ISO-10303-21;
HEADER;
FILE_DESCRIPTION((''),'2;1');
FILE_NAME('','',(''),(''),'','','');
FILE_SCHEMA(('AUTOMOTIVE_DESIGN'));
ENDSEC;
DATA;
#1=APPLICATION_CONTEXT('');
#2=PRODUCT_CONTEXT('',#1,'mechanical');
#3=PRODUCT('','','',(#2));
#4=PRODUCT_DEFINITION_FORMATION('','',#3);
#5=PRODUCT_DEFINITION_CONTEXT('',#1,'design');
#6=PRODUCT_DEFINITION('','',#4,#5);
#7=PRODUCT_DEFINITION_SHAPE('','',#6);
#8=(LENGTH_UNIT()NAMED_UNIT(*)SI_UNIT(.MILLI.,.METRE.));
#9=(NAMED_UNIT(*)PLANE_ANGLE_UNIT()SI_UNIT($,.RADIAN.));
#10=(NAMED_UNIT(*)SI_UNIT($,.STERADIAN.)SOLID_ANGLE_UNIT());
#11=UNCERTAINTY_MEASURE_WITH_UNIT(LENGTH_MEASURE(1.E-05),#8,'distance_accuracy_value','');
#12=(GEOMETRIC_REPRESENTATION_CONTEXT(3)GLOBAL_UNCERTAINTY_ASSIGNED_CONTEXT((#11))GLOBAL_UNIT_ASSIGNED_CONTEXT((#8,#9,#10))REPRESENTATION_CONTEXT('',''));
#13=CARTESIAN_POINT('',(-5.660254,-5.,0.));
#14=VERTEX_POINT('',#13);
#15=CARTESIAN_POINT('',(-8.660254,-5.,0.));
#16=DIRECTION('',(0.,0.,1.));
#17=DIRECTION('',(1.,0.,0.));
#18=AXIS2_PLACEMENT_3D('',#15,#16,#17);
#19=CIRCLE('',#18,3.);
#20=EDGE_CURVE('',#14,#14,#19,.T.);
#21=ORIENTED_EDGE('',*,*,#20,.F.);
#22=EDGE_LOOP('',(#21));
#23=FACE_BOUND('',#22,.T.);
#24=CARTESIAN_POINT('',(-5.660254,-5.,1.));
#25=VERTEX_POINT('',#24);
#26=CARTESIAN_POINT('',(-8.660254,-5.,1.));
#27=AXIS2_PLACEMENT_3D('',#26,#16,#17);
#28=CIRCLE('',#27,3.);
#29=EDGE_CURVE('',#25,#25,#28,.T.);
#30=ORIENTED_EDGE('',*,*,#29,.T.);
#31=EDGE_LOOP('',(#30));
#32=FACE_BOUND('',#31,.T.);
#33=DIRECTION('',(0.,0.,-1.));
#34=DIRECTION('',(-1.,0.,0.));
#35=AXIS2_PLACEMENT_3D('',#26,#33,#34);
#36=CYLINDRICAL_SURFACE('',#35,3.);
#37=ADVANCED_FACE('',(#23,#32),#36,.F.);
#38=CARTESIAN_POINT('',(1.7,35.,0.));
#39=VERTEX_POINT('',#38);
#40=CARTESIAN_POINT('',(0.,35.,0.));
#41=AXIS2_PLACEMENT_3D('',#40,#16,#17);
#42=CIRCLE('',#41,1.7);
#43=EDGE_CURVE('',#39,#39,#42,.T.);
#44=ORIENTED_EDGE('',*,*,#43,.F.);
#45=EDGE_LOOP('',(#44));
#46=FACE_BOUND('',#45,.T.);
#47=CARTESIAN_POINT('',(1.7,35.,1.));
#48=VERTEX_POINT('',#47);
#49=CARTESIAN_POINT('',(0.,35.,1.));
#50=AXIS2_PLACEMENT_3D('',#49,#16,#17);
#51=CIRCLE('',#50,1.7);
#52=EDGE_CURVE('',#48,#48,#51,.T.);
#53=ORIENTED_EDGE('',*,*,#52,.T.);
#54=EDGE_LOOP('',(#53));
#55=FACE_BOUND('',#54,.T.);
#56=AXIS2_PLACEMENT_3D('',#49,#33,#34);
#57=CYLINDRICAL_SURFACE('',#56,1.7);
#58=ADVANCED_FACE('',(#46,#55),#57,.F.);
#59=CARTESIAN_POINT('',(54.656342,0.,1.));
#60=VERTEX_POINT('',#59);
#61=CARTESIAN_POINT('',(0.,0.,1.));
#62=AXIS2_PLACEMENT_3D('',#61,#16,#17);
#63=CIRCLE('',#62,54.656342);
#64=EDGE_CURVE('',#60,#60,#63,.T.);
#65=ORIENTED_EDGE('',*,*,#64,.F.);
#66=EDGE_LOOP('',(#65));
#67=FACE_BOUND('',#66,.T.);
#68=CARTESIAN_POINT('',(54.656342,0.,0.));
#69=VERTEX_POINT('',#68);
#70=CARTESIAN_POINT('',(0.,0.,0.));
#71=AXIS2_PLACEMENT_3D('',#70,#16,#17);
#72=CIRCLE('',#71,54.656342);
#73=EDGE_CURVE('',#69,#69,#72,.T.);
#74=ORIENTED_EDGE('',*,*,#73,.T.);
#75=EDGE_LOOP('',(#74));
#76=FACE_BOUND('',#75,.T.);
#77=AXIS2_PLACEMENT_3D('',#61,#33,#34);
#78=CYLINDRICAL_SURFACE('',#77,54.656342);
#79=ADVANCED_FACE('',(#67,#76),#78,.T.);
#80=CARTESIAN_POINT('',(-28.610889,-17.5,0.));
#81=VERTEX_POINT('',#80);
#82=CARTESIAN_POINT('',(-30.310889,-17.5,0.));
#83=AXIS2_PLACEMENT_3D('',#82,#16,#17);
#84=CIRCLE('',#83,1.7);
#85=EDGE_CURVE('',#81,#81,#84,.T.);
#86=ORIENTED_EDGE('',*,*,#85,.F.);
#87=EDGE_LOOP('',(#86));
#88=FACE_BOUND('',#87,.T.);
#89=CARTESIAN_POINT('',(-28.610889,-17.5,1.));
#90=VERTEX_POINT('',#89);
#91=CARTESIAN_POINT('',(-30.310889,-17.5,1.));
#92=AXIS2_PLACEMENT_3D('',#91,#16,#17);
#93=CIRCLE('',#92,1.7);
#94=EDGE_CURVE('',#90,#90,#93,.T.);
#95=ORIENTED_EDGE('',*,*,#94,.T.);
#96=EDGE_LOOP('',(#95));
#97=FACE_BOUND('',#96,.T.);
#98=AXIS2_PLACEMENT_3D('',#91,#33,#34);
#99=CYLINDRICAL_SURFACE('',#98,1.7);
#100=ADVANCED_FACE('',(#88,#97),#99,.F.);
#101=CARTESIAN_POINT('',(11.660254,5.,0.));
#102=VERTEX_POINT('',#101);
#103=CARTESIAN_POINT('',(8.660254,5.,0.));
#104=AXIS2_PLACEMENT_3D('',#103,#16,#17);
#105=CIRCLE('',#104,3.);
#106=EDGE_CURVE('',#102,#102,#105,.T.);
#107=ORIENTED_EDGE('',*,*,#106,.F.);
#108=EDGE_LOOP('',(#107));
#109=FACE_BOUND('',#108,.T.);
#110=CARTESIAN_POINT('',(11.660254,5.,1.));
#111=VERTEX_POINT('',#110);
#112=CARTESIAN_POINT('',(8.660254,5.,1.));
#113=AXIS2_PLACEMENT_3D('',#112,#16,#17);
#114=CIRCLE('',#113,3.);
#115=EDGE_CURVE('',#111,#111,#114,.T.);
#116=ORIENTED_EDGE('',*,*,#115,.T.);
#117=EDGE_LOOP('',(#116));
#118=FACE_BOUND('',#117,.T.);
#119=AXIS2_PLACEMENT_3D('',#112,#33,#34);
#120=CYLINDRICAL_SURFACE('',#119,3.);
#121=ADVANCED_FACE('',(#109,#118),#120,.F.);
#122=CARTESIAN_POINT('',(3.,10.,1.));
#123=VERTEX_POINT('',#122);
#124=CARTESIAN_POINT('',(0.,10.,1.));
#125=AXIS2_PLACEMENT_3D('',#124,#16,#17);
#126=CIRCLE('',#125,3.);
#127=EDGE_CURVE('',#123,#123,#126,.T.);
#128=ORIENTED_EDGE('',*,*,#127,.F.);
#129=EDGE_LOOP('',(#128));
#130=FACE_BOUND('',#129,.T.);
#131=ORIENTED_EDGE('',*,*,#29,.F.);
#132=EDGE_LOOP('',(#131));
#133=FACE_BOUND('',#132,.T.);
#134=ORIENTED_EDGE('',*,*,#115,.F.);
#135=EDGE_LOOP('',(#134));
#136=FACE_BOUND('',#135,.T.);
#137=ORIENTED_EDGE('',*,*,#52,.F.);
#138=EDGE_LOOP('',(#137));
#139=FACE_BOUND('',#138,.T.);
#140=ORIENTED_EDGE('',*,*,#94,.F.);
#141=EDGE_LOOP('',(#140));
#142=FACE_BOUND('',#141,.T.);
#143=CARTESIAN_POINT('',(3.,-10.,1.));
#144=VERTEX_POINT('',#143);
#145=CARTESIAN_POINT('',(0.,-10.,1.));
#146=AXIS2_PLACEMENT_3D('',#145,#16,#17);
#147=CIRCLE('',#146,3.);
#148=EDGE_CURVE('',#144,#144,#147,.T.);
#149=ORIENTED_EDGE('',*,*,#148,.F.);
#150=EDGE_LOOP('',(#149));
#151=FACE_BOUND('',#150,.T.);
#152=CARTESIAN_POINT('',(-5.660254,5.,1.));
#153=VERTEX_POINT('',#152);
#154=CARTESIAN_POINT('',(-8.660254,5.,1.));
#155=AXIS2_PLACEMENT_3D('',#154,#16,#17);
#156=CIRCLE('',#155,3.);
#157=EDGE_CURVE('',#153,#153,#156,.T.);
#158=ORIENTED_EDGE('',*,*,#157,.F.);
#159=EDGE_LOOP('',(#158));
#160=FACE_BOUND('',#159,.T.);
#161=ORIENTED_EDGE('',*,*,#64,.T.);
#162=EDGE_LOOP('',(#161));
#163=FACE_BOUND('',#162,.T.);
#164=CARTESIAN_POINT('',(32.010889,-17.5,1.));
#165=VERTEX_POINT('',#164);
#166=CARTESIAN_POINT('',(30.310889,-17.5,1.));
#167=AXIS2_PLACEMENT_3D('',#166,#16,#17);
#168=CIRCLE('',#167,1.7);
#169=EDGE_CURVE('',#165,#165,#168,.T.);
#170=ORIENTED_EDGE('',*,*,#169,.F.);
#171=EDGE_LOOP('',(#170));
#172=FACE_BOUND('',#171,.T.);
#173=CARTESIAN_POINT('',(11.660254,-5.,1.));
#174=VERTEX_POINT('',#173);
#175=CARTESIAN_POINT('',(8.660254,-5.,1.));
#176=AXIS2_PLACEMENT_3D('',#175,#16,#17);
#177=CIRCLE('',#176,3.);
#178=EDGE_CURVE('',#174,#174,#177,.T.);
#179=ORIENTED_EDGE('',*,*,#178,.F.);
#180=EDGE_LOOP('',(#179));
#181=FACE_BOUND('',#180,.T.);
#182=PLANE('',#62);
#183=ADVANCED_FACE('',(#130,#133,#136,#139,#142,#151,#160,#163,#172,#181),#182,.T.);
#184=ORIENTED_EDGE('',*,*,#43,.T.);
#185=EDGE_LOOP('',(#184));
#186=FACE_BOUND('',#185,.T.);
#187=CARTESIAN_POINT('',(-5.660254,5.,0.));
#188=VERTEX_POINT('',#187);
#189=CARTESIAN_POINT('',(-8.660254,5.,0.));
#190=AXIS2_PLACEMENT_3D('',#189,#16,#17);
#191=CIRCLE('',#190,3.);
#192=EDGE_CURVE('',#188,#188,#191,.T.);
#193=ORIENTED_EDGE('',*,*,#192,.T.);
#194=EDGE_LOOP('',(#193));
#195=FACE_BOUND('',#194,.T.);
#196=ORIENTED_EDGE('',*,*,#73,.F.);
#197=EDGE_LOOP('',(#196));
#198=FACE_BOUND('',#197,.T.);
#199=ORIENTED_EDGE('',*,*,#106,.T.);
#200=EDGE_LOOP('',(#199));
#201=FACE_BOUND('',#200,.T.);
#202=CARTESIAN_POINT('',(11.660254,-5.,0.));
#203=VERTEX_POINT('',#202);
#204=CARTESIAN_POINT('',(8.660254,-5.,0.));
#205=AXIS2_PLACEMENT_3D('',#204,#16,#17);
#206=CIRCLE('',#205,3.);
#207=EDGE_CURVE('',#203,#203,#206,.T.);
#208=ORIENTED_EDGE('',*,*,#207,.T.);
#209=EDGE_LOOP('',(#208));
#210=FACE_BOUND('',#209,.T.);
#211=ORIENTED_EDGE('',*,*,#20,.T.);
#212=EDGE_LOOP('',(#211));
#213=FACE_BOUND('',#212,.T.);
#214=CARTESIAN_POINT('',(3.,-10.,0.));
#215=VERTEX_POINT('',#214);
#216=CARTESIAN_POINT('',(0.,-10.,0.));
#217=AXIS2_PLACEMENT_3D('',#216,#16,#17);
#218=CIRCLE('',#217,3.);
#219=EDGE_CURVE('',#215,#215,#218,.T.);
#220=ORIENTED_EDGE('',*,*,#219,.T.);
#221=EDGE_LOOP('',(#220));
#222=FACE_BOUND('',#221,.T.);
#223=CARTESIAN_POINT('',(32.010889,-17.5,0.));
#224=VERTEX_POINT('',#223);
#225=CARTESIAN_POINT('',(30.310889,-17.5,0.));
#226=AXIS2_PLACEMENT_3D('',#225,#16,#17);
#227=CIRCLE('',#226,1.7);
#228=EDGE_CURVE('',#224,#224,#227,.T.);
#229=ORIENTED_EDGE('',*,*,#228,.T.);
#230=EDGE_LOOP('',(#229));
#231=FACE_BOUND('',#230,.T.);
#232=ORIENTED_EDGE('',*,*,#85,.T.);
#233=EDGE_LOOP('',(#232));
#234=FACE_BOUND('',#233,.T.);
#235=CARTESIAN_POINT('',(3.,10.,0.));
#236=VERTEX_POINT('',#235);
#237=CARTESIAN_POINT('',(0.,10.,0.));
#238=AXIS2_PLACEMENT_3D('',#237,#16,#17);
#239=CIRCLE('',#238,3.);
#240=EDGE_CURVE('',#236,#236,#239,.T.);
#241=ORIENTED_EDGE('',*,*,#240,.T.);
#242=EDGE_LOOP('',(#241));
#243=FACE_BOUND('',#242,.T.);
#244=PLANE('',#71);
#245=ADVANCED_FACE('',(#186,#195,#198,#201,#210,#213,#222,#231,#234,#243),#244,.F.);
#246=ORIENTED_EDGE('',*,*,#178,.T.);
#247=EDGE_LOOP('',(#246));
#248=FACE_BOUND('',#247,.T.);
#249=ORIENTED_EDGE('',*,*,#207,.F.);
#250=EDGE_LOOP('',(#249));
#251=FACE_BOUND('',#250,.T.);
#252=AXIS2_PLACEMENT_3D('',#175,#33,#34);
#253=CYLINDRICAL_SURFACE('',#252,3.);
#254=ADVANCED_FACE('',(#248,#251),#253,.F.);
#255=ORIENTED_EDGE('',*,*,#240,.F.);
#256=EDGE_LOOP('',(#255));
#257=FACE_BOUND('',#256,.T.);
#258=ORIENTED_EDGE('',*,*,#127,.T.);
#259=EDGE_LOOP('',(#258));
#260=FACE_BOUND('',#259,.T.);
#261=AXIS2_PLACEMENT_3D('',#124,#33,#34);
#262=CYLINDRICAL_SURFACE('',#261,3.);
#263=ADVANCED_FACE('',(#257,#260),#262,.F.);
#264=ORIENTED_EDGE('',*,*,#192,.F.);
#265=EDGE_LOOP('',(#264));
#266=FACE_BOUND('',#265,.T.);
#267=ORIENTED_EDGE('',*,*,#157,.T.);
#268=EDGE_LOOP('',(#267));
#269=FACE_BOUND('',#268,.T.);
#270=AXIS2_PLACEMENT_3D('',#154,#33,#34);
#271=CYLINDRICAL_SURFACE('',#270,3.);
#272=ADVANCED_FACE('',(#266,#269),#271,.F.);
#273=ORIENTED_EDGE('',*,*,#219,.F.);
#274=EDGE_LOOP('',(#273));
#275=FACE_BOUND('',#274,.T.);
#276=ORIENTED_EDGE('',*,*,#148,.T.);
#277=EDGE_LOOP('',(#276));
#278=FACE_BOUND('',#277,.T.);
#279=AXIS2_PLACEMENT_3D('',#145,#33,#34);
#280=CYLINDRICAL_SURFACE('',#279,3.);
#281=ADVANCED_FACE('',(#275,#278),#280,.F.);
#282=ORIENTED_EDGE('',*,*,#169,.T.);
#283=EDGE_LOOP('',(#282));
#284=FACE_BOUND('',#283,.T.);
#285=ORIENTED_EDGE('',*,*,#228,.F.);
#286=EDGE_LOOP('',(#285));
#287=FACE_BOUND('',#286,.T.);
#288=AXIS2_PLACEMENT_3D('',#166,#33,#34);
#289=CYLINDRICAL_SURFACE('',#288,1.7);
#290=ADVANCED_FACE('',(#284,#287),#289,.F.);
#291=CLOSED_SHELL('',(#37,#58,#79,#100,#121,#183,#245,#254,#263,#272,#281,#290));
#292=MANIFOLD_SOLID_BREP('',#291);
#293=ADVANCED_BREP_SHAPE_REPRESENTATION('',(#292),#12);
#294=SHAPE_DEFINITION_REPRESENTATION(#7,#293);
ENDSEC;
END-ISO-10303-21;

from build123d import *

# Parameters (mm, degrees)
SKETCH1_R           = 54.656342245
SKETCH1_R_2         = 1.7
SKETCH1_R_3         = 3
BOSS_EXTRUDE1_DEPTH = 1


with BuildPart() as part:
    # Sketch1 → Boss-Extrude1 (new body)
    with BuildSketch(Plane.XY):
        Circle(SKETCH1_R)
        with Locations((0, 35)):
            Circle(SKETCH1_R_2, mode=Mode.SUBTRACT)
        with Locations((30.310889132, -17.5)):
            Circle(SKETCH1_R_2, mode=Mode.SUBTRACT)
        with Locations((-30.310889132, -17.5)):
            Circle(SKETCH1_R_2, mode=Mode.SUBTRACT)
        with Locations((0, 10)):
            Circle(SKETCH1_R_3, mode=Mode.SUBTRACT)
        with Locations((8.660254038, 5)):
            Circle(SKETCH1_R_3, mode=Mode.SUBTRACT)
        with Locations((8.660254038, -5)):
            Circle(SKETCH1_R_3, mode=Mode.SUBTRACT)
        with Locations((0, -10)):
            Circle(SKETCH1_R_3, mode=Mode.SUBTRACT)
        with Locations((-8.660254038, -5)):
            Circle(SKETCH1_R_3, mode=Mode.SUBTRACT)
        with Locations((-8.660254038, 5)):
            Circle(SKETCH1_R_3, mode=Mode.SUBTRACT)
    extrude(amount=BOSS_EXTRUDE1_DEPTH)


solid = part.part
